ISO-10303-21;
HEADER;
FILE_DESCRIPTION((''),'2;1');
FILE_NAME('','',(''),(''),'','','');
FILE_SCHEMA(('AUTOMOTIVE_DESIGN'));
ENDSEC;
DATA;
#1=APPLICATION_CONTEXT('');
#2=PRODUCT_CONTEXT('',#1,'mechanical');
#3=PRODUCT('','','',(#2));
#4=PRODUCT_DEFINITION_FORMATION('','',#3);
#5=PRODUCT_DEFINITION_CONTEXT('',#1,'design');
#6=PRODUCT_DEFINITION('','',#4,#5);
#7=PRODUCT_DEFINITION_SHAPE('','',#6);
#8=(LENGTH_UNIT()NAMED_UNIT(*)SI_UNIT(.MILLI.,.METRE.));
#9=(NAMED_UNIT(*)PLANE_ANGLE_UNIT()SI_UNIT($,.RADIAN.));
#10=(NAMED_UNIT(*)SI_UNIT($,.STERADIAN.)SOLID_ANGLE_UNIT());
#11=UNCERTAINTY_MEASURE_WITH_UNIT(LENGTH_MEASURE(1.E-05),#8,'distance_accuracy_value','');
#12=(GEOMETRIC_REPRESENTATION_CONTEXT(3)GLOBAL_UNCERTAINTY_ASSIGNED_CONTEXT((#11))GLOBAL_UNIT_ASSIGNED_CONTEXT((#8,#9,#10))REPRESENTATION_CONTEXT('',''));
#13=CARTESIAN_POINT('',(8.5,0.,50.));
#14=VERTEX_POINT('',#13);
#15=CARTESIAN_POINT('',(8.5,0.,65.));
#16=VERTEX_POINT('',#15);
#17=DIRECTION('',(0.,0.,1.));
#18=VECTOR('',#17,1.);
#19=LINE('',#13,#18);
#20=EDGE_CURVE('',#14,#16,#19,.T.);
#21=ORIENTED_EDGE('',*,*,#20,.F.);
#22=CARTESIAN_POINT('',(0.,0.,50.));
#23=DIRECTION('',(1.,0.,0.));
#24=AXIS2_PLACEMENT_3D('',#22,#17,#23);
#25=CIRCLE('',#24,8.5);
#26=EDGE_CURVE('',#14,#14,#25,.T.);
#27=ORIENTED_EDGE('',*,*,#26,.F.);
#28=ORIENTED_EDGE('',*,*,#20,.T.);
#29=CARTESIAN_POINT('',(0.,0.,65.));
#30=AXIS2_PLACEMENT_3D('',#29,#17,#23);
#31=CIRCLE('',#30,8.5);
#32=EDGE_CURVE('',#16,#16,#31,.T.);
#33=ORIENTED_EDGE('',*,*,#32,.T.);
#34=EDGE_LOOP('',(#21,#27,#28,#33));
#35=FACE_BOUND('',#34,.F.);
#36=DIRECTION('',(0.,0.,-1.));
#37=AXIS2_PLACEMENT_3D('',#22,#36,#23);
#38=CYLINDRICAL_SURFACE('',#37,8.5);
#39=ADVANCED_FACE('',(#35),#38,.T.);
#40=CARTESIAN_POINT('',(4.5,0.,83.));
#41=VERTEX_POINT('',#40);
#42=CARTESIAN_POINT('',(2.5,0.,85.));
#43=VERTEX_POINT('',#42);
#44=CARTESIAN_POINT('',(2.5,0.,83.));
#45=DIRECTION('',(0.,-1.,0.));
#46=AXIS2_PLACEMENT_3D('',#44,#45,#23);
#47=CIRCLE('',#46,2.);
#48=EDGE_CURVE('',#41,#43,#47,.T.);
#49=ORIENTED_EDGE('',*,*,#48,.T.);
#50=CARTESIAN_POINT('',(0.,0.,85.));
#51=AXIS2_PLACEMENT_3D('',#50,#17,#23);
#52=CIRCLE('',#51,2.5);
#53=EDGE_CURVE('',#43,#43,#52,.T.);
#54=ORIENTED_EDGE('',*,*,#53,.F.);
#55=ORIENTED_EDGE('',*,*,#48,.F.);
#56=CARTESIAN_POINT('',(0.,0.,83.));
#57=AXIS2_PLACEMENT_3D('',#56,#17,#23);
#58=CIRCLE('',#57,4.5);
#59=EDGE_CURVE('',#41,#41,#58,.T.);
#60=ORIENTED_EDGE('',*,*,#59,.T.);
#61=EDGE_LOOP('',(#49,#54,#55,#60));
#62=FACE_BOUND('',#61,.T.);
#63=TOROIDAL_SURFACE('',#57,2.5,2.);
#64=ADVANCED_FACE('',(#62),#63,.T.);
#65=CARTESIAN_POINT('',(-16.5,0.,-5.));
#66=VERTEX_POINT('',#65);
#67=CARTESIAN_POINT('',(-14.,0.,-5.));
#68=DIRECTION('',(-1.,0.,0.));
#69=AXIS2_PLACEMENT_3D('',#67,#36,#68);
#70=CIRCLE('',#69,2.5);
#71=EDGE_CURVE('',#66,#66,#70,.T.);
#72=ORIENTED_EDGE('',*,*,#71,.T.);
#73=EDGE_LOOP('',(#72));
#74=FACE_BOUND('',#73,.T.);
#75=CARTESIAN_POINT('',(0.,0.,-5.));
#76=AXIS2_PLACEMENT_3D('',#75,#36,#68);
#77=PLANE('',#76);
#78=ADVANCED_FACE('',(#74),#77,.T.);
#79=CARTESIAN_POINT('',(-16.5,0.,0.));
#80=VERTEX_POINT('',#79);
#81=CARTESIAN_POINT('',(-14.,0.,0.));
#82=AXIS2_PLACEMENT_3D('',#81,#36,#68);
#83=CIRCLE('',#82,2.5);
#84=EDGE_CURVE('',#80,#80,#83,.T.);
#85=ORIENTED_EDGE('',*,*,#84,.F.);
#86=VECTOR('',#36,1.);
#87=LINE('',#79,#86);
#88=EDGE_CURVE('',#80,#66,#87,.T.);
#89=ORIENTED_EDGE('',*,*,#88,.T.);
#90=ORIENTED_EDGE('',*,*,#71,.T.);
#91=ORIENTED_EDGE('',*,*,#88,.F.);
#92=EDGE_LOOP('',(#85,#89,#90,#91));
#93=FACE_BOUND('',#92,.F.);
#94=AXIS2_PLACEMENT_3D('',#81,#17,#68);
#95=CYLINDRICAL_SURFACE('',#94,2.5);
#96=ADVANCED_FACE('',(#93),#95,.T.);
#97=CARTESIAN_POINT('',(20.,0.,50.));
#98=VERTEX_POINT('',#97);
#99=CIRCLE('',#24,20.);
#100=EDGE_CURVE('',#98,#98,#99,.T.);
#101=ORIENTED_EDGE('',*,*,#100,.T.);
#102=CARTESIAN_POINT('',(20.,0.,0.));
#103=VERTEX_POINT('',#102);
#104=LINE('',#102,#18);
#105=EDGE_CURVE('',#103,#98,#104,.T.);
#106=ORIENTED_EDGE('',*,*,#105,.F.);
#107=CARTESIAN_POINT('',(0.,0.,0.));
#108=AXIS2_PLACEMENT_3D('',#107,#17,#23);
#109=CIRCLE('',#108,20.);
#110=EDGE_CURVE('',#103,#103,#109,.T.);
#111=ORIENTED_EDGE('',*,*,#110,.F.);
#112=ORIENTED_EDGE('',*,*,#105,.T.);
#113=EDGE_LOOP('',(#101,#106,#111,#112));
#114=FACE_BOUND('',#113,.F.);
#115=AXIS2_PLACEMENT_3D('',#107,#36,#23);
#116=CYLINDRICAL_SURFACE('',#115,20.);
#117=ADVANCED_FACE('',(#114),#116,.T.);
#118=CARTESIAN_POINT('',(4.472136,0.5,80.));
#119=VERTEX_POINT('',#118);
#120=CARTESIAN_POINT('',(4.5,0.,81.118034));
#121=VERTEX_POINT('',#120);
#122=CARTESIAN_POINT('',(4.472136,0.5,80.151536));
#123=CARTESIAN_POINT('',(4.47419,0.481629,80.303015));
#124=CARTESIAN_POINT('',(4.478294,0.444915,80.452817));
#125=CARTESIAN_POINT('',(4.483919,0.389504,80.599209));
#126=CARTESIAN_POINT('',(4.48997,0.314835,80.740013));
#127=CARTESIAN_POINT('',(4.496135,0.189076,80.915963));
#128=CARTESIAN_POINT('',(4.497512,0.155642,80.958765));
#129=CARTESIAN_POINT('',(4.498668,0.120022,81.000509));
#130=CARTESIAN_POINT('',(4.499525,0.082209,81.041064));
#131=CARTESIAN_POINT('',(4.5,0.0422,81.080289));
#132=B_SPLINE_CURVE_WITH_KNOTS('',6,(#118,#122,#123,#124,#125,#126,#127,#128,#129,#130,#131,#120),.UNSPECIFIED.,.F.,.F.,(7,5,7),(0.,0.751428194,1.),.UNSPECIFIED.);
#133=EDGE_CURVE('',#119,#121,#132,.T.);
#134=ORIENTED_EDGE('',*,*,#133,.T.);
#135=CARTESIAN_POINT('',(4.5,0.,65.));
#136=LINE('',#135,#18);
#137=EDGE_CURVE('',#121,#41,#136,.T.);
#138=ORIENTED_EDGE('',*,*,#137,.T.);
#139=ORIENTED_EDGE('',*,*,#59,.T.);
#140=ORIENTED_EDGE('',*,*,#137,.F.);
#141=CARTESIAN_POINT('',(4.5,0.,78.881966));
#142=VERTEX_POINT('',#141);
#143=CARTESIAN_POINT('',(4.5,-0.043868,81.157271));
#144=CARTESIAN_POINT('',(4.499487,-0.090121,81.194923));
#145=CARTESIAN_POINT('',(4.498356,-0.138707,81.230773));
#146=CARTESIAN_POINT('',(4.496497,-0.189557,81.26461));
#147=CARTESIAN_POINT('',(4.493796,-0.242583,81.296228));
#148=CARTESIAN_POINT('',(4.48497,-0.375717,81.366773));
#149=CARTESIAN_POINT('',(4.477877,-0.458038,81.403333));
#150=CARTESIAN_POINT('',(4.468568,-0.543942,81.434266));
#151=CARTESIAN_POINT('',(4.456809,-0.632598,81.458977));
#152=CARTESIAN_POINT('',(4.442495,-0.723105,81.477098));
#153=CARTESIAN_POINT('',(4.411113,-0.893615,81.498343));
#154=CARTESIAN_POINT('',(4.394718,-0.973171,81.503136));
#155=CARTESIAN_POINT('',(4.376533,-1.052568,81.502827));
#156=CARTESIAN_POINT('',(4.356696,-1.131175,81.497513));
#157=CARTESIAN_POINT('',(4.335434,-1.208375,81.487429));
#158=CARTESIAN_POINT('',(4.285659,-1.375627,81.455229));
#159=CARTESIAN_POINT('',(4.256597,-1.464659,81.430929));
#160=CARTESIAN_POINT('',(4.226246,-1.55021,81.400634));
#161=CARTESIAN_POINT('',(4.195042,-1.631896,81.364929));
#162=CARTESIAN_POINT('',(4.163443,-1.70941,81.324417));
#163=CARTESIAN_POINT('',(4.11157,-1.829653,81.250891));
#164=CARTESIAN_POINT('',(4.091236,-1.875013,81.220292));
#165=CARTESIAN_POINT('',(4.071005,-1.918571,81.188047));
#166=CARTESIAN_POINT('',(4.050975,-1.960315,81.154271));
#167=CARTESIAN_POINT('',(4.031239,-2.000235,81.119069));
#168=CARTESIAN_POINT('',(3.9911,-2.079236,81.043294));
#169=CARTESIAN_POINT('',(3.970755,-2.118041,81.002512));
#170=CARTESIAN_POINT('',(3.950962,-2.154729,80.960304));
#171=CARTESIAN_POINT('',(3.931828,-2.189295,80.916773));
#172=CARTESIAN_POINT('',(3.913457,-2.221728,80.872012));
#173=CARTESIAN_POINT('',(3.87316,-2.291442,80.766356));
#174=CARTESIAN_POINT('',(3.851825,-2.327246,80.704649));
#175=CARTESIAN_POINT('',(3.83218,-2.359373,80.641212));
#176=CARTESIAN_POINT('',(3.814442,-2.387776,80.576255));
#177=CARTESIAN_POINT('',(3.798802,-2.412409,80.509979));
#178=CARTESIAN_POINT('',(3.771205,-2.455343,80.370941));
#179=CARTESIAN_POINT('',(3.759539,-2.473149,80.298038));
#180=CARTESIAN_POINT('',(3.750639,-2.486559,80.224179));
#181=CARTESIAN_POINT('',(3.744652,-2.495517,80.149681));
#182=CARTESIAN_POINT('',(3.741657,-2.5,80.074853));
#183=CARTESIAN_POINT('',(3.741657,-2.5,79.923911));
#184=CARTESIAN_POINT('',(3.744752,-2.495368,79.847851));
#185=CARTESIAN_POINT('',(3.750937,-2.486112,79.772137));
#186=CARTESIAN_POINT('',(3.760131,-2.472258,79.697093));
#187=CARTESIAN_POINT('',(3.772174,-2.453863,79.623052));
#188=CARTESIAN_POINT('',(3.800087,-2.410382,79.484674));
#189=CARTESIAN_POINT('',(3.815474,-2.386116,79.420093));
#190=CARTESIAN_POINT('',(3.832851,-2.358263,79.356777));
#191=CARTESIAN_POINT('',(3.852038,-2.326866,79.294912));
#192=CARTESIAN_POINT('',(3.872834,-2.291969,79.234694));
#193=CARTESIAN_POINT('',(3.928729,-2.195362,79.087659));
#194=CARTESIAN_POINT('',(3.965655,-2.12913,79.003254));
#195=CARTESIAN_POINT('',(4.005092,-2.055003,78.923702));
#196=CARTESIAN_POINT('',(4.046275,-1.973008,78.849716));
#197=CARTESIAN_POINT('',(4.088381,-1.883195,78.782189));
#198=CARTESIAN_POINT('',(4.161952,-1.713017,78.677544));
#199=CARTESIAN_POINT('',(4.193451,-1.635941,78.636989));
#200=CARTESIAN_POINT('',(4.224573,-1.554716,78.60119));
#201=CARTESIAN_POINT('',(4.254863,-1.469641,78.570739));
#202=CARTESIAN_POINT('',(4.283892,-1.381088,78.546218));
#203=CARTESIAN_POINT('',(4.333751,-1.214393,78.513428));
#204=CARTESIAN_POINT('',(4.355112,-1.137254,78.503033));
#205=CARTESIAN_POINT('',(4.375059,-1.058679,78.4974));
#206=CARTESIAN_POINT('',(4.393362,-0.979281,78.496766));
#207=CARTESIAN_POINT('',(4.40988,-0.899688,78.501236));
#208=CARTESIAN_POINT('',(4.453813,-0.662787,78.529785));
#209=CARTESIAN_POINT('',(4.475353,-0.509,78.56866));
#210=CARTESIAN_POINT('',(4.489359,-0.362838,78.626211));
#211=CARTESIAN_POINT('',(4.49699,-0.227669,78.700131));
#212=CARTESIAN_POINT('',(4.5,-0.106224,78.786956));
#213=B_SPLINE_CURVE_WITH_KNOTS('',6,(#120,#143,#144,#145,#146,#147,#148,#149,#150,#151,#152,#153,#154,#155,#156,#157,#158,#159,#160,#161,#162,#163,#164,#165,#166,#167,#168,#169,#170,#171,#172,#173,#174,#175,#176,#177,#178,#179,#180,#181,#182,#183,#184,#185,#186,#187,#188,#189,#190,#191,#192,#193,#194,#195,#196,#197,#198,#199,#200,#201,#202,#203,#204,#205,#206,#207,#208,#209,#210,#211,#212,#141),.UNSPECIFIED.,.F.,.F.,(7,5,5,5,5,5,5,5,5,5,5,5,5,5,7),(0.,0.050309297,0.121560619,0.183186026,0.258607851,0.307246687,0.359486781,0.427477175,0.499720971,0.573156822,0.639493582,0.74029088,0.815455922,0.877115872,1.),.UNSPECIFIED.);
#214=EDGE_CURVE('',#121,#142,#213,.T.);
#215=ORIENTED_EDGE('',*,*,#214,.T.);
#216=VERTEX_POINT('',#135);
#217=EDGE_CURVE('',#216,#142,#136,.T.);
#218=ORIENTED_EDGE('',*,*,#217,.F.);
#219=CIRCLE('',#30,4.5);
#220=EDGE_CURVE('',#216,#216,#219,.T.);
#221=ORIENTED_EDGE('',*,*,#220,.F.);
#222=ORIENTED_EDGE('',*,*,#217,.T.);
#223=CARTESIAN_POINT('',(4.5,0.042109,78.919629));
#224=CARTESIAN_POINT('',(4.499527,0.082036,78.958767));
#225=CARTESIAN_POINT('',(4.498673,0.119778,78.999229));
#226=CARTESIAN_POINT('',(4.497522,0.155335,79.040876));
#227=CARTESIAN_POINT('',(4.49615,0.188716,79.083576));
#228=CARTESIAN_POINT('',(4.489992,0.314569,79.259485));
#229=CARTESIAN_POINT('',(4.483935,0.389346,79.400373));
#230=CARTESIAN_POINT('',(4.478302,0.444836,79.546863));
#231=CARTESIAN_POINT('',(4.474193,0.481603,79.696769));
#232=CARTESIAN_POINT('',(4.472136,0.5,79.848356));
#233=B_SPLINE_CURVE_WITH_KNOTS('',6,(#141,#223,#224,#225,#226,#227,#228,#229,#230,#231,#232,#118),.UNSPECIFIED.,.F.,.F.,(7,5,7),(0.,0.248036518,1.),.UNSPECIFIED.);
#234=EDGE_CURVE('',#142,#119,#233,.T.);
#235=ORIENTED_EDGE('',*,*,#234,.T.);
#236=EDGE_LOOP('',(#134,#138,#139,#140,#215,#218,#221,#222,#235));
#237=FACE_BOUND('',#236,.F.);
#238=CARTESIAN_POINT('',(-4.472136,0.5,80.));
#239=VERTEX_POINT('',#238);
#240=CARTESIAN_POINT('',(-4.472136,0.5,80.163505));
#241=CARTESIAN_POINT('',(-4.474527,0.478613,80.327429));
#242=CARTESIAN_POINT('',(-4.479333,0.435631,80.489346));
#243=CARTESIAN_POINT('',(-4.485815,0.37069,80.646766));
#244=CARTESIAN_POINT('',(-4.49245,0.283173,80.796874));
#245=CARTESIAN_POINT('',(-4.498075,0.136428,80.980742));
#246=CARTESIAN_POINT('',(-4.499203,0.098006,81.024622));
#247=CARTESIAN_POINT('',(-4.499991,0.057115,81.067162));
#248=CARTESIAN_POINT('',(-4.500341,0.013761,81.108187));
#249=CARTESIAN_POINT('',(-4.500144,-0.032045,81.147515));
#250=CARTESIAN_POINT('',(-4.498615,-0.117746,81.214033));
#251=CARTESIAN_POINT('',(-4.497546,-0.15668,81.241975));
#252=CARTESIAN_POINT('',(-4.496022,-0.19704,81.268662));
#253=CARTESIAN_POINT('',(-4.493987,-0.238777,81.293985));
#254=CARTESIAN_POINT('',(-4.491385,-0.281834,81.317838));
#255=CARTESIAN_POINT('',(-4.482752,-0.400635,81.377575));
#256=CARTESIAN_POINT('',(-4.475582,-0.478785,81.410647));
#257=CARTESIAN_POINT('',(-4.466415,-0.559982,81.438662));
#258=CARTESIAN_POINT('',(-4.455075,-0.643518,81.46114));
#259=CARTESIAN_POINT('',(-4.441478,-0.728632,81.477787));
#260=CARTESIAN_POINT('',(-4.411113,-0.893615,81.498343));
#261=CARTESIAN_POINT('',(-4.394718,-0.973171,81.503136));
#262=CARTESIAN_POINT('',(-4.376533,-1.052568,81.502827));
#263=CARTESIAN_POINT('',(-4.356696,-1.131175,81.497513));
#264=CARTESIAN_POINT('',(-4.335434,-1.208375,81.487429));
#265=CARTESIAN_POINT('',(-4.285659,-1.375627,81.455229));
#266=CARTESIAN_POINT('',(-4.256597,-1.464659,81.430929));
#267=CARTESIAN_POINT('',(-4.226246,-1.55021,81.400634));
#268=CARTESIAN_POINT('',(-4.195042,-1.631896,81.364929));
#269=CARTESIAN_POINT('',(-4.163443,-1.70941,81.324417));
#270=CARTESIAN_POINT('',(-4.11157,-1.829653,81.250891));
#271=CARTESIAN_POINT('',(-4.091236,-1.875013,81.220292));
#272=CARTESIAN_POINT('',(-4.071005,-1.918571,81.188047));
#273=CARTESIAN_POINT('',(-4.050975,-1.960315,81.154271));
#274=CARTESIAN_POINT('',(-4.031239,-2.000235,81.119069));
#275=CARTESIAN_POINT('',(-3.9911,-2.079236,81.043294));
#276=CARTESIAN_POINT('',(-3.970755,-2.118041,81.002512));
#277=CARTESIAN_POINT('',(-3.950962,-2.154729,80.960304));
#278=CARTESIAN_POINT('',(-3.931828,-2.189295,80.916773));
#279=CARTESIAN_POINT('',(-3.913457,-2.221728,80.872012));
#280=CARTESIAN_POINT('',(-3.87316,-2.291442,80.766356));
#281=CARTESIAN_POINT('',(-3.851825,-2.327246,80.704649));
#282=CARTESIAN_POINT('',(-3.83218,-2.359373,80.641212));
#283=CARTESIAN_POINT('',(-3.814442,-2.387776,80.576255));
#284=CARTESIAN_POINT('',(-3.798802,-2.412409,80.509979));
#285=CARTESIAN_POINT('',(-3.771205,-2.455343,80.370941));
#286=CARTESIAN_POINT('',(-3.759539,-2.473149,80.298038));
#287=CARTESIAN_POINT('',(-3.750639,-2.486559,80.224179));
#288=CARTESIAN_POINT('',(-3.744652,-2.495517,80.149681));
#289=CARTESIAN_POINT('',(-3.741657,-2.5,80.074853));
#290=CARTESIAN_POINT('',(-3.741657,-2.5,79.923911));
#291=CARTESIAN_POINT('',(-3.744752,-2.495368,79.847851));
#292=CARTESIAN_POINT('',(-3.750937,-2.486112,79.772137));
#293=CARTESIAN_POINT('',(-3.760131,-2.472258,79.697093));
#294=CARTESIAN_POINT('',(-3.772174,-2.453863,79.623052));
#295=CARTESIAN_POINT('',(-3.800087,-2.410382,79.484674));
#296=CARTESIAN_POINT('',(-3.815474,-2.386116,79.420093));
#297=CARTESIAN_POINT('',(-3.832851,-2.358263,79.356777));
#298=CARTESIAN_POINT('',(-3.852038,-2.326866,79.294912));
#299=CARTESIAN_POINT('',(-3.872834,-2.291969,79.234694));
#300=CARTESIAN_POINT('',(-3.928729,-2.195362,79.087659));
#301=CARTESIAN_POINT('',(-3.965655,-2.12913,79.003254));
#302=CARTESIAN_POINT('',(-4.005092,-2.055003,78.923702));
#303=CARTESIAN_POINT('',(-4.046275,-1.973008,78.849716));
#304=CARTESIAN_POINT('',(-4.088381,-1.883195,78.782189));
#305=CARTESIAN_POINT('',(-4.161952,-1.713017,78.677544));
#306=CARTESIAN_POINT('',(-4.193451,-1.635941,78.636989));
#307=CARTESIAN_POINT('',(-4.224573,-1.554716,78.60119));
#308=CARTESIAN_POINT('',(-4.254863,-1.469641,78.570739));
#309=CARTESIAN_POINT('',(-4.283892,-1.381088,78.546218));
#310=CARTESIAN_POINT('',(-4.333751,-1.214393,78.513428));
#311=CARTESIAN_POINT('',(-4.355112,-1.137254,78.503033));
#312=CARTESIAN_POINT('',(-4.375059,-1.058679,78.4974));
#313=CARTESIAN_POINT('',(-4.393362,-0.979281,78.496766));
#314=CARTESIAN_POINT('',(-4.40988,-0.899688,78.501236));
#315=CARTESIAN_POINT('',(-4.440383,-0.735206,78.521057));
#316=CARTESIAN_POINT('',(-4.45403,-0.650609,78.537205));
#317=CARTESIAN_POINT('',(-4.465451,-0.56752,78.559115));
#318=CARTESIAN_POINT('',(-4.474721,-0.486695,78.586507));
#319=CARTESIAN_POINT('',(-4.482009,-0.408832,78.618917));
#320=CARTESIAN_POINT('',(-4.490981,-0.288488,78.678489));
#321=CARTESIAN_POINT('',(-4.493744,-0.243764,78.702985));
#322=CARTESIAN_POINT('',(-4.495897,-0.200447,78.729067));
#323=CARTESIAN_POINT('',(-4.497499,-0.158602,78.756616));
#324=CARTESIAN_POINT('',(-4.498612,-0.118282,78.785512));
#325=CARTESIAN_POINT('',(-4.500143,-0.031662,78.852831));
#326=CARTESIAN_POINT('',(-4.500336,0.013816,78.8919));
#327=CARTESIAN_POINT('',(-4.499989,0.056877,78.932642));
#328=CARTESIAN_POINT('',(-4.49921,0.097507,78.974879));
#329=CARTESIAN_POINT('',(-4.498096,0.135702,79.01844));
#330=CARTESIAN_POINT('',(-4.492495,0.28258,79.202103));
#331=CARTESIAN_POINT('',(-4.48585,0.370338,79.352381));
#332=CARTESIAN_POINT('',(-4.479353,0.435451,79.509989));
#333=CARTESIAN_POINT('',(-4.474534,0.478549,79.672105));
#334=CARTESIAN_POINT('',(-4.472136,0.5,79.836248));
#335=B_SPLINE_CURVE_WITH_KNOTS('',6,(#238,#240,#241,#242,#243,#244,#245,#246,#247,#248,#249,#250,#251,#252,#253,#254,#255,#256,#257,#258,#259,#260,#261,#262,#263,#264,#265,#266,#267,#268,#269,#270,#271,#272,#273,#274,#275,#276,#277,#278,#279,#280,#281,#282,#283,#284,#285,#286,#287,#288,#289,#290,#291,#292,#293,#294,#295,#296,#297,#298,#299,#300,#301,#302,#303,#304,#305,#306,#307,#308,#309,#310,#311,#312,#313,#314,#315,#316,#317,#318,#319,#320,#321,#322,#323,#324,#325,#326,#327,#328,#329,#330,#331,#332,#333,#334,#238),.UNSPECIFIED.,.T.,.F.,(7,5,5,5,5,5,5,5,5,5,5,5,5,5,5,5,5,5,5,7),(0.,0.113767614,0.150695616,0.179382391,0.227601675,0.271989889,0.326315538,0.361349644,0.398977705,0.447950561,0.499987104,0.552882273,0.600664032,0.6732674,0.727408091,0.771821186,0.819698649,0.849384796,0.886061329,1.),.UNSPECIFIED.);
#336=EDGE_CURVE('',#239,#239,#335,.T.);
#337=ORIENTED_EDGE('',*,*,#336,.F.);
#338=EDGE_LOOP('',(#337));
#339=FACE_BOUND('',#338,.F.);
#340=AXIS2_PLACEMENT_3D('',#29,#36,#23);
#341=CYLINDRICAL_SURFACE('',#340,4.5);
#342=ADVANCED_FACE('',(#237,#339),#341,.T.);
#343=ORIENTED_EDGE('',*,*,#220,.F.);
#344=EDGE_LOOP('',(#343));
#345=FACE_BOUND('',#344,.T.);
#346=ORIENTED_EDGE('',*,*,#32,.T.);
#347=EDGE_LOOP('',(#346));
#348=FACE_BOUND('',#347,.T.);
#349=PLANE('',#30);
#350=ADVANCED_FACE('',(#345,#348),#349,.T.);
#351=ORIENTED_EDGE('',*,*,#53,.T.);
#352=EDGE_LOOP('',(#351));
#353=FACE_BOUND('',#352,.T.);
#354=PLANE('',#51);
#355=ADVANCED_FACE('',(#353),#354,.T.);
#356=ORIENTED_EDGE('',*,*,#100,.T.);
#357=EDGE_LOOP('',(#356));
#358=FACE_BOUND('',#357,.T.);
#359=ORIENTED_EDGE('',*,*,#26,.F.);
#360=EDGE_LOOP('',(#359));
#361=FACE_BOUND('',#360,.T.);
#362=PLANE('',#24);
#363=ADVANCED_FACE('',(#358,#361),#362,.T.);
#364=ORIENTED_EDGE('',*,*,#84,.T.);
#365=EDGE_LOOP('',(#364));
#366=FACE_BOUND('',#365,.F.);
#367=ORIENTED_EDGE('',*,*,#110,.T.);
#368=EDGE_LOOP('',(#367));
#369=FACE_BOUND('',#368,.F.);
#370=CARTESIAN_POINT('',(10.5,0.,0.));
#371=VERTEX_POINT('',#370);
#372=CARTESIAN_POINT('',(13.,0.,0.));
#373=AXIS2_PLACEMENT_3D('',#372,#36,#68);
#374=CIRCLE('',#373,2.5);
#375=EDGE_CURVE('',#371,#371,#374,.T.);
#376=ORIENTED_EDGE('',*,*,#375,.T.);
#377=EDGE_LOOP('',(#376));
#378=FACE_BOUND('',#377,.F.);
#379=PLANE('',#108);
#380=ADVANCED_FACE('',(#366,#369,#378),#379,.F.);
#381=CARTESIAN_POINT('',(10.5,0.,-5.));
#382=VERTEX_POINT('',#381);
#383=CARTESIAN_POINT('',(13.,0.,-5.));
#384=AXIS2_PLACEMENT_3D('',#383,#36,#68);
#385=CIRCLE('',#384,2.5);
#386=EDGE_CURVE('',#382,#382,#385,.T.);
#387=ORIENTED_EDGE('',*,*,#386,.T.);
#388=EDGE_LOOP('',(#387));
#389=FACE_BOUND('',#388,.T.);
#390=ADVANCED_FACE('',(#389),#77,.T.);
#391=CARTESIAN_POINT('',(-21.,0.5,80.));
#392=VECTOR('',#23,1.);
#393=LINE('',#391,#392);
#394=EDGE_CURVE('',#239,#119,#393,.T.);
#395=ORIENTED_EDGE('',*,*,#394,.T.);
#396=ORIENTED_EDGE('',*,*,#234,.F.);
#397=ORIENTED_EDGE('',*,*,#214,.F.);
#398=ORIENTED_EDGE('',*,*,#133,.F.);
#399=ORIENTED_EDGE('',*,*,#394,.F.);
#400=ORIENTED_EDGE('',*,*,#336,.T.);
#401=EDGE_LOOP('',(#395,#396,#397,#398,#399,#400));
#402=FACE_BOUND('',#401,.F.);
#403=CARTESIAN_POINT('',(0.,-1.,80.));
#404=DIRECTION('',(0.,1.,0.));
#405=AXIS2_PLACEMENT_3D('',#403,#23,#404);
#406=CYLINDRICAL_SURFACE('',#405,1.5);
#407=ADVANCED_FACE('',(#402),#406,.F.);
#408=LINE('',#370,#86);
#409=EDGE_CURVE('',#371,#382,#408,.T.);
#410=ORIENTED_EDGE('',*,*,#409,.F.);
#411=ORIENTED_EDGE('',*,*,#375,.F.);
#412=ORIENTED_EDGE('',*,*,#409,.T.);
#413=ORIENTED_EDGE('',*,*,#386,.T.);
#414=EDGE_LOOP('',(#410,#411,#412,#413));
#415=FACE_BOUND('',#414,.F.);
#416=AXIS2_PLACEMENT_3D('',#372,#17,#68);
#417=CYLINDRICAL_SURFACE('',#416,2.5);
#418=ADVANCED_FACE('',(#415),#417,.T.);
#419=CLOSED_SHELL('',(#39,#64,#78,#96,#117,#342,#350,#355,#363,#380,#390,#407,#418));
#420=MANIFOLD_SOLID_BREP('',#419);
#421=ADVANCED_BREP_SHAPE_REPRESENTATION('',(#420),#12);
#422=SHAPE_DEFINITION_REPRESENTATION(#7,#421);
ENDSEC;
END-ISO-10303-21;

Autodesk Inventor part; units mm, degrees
ref_plane "YZ Plane" through (0, 0, 0) normal (1, 0, 0) x (0, 1, 0)
ref_plane "XZ Plane" through (0, 0, 0) normal (0, 1, 0) x (-1, 0, 0)
ref_plane "XY Plane" through (0, 0, 0) normal (0, 0, 1) x (1, 0, 0)
sketch "Sketch1" plane through (0, 0, 0) normal (0, 0, 1) x (1, 0, 0)
  circle A0 centre (0, 0) radius 20
  dimension "d0" = 40
extrude "Extrusion1" add sketch "Sketch1" along normal blind 50
sketch "Sketch2" plane through (0, 0, 50) normal (0, 0, 1) x (1, 0, 0)
  circle A0 centre (0, 0) radius 8.5
  dimension "d3" = 17
extrude "Extrusion2" add sketch "Sketch2" along normal blind 15
thread "Thread1" size "M17x1.5" class "6g" standard "ANSI Metric M Profile" full length
sketch "Sketch3" plane through (0, 0, 65) normal (0, 0, 1) x (1, 0, 0)
  circle A0 centre (0, 0) radius 4.5
  dimension "d8" = 9
extrude "Extrusion3" add sketch "Sketch3" along normal blind 20
sketch "Sketch4" plane through (0, 0, 0) normal (1, 0, 0) x (0, 1, 0)
  line L0 (4.5, 85) -> (-4.5, 85) projected
  line L1 (0, 85) -> (0, 80)
  circle A0 centre (0, 80) radius 1
  circle A1 centre (-1, 80) radius 1.5
  point P0 (0, 0)
  dimension "d11" = 5
  dimension "d12" = 3
extrude "Extrusion4" cut sketch "Sketch4" along normal through all both and the other way through all contours A1 A0 L1 | L1 A0 A1 | A0 A1 picked at (0.0001, 79.7835)
fillet "Fillet1" radius 2 1 edges at (-4.5, 0, 85)
sketch "Sketch5" plane through (0, 0, 0) normal (0, 0, -1) x (-1, 0, 0)
  circle A0 centre (14, 0) radius 2.5
  circle A1 centre (-13, 0) radius 2.5
  point P0 (0, 0)
  dimension "d16" = 5
  dimension "d17" = 5
extrude "Extrusion5" add sketch "Sketch5" along normal blind 5
properties part number "dc motor for capping system"
